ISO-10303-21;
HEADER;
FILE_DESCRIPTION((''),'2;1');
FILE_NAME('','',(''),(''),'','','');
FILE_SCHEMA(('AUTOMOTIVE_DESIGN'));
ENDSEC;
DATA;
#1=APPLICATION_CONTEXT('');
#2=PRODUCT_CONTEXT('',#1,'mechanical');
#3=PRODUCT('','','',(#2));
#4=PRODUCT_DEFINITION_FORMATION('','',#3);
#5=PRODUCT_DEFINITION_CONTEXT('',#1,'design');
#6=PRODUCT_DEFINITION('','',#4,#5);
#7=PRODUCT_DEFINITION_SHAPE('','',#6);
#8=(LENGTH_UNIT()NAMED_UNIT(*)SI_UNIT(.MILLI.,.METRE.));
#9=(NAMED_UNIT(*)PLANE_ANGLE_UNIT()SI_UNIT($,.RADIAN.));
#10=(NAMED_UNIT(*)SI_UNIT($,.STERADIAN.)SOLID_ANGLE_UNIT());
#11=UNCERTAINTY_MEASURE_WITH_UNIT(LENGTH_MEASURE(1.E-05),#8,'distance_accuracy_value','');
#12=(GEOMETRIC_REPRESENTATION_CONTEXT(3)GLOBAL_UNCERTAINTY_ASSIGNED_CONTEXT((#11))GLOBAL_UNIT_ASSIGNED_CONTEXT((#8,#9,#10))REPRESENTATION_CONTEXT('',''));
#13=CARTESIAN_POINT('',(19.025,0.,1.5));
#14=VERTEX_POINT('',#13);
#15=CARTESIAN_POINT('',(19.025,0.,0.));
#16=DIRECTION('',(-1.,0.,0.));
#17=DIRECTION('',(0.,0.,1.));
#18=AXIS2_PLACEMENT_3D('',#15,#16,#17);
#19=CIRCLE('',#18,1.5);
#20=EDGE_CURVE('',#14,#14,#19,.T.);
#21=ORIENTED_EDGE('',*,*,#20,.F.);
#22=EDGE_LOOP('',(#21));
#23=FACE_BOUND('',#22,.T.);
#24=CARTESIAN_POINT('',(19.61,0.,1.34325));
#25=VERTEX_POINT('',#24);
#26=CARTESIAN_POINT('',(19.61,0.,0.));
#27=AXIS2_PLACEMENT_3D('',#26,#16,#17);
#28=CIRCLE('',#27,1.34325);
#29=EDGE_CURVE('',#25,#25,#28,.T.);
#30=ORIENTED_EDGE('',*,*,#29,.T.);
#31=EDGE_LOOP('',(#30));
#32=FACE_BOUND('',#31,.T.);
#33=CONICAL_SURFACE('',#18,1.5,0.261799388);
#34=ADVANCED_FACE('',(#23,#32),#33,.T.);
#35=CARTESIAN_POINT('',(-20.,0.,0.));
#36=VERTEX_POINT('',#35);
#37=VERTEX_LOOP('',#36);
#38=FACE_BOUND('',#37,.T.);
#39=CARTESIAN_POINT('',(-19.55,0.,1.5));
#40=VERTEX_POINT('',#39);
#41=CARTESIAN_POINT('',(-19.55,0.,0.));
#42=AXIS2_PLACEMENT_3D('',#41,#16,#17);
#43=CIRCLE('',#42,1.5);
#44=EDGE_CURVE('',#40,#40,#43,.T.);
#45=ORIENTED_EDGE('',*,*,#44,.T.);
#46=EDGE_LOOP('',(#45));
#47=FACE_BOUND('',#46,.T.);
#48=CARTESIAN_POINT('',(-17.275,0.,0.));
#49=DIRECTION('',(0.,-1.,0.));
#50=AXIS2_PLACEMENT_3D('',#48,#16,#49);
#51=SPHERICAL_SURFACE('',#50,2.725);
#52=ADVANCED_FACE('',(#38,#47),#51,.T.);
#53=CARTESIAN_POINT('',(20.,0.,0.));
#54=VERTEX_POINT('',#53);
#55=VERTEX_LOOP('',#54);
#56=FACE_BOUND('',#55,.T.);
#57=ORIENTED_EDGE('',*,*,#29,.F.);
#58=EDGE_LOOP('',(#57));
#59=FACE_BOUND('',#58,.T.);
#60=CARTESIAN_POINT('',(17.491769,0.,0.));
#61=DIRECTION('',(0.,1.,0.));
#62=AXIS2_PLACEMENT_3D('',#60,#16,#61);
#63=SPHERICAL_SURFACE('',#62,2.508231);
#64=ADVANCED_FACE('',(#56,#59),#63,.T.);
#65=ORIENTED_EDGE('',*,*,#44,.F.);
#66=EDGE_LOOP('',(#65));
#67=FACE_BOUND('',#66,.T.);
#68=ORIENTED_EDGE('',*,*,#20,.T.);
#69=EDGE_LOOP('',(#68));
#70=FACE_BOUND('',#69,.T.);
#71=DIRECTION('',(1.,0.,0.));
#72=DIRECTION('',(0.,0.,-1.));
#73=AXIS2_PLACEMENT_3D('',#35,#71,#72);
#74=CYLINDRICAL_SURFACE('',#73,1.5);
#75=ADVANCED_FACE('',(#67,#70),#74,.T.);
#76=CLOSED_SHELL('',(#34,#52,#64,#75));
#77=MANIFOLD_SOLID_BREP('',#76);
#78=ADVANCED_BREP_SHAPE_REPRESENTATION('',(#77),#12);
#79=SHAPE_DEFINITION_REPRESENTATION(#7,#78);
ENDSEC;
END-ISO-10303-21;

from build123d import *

# Parameters (mm, degrees)
EXTRUDE1_DEPTH      = 20
EXTRUDE1_DEPTH_BACK = 20
SKETCH2_R           = 1.5


with BuildPart() as part:
    # Sketch2 → Extrude1 (new, two sides: drawn at the far end of the back side and taken through both)
    with BuildSketch(Plane(origin=(0, 0, 0), x_dir=(0, 0, -1), z_dir=(1, 0, 0)).offset(-EXTRUDE1_DEPTH_BACK)):
        Circle(SKETCH2_R)
    extrude(amount=EXTRUDE1_DEPTH + EXTRUDE1_DEPTH_BACK)

    # Sketch5 → Cut-Revolve1 (revolve, cut)
    with BuildSketch(Plane.XY, mode=Mode.PRIVATE) as cut_revolve1_sk:
        with BuildLine():
            Line((19.025, 1.5), (19.025, 2))
            Line((19.025, 2), (20.5, 2))
            Line((20.5, 2), (20.5, 0))
            Line((20.5, 0), (20, 0))
            ThreePointArc((20, 0), (19.90052754, 0.699360389), (19.61, 1.343249722))
            Line((19.61, 1.343249722), (19.025, 1.5))
        make_face()
        with BuildLine():
            Line((-19.55, 1.5), (-19.55, 2))
            Line((-19.55, 2), (-20.5, 2))
            Line((-20.5, 2), (-20.5, 0))
            Line((-20.5, 0), (-20, 0))
            ThreePointArc((-20, 0), (-19.885076627, 0.783022988), (-19.55, 1.5))
        make_face()
    revolve(cut_revolve1_sk.sketch.rotate(Axis((-20, 0, 0), (1, 0, 0)), 90), axis=Axis((-20, 0, 0), (1, 0, 0)), mode=Mode.SUBTRACT)


solid = part.part
